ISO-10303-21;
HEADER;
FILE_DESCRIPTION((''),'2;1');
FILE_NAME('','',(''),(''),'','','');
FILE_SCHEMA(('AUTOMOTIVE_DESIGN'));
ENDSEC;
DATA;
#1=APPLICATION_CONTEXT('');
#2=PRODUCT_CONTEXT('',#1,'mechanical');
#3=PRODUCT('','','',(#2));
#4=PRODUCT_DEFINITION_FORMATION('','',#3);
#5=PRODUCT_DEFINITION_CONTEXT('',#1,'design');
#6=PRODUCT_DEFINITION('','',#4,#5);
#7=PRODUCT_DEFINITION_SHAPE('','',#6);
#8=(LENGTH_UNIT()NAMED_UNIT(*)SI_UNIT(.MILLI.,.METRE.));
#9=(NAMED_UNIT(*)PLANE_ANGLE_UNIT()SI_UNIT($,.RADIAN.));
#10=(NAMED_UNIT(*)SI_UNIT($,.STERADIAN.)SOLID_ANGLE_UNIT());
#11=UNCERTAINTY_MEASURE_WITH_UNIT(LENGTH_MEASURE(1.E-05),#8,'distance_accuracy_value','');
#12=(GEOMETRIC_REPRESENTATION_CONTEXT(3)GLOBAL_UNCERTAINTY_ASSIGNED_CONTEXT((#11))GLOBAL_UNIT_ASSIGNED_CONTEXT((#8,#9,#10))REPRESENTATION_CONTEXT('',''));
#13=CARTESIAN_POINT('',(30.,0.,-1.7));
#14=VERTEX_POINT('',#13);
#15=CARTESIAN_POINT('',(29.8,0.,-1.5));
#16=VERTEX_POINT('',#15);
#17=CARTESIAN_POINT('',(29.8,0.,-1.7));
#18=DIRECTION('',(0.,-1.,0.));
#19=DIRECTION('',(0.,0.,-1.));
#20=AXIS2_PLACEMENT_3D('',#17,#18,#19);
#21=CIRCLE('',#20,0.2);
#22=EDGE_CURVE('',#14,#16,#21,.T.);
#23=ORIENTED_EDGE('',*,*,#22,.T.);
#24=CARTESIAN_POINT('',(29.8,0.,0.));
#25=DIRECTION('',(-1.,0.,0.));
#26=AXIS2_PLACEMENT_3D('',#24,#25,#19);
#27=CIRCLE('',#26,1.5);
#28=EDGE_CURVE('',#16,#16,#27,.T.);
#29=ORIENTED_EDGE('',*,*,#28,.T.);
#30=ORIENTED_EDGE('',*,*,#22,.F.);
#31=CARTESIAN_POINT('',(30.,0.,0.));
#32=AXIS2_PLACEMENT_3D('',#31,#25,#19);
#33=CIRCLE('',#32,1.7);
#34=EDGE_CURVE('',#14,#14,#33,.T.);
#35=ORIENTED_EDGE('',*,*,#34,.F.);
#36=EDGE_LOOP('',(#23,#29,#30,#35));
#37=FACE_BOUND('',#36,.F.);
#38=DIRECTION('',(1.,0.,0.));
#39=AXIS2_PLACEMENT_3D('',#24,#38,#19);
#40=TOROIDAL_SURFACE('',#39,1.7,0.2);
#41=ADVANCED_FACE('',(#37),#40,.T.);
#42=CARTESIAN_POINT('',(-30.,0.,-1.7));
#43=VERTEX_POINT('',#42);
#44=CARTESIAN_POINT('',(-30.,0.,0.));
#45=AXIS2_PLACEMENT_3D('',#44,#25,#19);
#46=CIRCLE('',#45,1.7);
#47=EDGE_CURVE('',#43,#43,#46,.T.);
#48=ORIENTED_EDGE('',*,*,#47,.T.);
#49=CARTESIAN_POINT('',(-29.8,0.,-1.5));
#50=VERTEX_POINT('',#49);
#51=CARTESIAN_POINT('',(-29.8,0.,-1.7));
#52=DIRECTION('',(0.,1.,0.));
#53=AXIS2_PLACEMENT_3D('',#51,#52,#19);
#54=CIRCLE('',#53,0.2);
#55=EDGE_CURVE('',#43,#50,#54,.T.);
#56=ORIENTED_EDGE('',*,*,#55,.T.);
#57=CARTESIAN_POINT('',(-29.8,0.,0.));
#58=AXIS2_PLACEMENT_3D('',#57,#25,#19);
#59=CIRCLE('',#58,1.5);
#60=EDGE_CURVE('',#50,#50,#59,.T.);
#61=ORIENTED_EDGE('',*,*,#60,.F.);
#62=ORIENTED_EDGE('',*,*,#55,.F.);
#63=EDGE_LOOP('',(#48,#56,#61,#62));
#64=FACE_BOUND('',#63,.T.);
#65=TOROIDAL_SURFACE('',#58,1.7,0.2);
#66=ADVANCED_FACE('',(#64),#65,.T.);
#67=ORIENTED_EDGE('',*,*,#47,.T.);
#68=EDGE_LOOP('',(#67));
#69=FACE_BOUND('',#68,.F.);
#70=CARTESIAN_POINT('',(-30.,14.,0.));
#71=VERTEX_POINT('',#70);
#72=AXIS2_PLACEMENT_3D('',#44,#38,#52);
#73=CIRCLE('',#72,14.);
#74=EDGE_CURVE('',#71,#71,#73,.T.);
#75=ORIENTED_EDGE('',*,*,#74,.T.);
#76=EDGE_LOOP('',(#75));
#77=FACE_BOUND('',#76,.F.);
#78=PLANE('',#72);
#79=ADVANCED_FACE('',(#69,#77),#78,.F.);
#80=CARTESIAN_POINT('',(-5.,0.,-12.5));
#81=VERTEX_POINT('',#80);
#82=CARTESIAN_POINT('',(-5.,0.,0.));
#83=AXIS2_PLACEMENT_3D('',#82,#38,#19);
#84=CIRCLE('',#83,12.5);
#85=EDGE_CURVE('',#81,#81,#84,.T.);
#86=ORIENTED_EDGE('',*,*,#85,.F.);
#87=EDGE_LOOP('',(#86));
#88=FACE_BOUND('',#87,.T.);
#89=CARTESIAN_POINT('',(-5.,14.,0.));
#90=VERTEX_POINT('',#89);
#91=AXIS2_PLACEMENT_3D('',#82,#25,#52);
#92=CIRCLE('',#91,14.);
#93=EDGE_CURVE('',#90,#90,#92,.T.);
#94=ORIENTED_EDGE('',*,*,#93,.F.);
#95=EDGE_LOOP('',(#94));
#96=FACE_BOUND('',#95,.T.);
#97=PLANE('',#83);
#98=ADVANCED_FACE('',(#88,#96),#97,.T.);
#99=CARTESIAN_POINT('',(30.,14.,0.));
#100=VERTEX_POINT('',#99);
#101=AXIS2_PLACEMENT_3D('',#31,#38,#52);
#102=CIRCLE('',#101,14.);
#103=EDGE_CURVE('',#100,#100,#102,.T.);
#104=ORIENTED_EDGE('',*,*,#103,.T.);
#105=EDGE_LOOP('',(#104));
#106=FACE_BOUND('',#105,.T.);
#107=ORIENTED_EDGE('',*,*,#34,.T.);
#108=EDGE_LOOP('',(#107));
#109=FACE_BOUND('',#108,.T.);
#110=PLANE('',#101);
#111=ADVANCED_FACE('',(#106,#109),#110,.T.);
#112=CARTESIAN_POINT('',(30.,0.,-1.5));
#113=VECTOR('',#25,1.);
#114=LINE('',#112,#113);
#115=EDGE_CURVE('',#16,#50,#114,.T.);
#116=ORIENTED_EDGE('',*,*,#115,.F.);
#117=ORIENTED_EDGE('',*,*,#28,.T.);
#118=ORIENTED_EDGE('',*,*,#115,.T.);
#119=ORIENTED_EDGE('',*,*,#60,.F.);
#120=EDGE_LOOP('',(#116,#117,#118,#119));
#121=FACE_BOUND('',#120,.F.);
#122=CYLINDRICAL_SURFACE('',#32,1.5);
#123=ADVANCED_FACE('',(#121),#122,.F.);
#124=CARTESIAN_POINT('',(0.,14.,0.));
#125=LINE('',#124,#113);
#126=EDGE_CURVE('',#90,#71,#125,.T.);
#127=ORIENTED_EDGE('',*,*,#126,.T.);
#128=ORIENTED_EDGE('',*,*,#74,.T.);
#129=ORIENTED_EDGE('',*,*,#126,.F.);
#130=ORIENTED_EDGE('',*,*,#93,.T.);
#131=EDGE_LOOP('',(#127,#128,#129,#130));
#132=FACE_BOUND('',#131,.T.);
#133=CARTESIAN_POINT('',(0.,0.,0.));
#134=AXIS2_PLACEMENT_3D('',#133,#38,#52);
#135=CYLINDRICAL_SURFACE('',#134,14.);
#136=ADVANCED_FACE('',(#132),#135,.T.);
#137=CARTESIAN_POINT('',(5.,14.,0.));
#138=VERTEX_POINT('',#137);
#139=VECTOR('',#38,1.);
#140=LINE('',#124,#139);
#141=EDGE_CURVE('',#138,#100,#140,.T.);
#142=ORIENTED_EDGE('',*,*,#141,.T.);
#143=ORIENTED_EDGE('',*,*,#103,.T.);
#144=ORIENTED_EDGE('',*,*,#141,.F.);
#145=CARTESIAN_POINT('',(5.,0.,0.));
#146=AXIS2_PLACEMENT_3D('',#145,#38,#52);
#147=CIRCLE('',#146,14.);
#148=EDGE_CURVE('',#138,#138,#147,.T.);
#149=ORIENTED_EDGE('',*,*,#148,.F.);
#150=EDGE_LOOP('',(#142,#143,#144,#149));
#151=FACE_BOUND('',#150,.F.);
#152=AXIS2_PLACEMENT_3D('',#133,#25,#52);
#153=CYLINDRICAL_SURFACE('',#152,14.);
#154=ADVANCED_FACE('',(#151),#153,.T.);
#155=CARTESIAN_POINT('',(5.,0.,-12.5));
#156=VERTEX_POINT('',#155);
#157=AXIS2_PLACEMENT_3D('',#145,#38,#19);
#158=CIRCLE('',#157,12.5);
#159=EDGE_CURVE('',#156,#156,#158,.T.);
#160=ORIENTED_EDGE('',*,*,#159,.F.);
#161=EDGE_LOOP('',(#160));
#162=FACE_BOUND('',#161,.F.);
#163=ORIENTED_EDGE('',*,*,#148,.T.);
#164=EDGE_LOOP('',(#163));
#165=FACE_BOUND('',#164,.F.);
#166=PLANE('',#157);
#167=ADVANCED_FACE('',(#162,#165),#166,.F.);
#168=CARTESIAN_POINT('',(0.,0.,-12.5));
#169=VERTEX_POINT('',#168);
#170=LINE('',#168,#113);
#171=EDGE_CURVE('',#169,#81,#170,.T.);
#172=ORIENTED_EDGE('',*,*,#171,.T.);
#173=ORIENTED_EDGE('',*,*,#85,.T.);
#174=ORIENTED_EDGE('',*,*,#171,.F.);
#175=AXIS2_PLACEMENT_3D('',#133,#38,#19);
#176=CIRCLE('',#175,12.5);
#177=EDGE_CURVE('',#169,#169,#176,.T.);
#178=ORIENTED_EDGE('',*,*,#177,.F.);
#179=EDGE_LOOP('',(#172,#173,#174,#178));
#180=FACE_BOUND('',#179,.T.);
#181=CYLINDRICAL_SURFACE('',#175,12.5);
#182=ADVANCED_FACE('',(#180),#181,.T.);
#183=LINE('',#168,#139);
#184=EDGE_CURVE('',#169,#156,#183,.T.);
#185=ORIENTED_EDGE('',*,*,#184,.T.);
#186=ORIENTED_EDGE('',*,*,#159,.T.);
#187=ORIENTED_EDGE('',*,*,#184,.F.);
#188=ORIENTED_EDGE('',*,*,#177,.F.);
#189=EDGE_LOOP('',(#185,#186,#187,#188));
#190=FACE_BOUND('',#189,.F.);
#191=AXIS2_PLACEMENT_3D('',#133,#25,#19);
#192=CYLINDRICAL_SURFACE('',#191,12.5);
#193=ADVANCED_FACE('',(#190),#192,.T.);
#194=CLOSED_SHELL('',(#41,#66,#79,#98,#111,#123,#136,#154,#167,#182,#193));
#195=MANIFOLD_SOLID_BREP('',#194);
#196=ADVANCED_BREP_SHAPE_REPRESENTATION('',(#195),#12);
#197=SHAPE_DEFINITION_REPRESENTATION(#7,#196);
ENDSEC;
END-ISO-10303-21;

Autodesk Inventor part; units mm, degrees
ref_plane "YZ Plane" through (0, 0, 0) normal (1, 0, 0) x (0, 1, 0)
ref_plane "XZ Plane" through (0, 0, 0) normal (0, 1, 0) x (-1, 0, 0)
sketch "Эскиз1" plane through (0, 0, 0) normal (1, 0, 0) x (0, 1, 0)
  circle A0 centre (0, 0) radius 14
  dimension "d0" = 28
extrude "Выдавливание1" add sketch "Эскиз1" along normal mid plane 60
sketch "Эскиз2" plane through (30, 0, 0) normal (1, 0, 0) x (0, 0, -1)
  point P0 (0, 0)
  point P1 (0, 0)
hole "Отверстие1" at (30, 0, 0) direction (-1, 0, 0) diameter 3 depth 60
fillet "Сопряжение1" radius 0.2 2 edges at (30, 0, 1.5) (-30, 0, 1.5)
ref_plane "РабПлоскость1" through (0, 0, 0) normal (1, 0, 0) x (0, 0, -1)
sketch "Эскиз3" plane through (0, 0, 0) normal (1, 0, 0) x (0, 0, -1)
  circle A0 centre (0, 0) radius 12.5
  circle A1 centre (0, 0) radius 14
  dimension "d11" = 25
extrude "Выдавливание2" cut sketch "Эскиз3" along normal mid plane 10
properties part number "Вал конвейера"
